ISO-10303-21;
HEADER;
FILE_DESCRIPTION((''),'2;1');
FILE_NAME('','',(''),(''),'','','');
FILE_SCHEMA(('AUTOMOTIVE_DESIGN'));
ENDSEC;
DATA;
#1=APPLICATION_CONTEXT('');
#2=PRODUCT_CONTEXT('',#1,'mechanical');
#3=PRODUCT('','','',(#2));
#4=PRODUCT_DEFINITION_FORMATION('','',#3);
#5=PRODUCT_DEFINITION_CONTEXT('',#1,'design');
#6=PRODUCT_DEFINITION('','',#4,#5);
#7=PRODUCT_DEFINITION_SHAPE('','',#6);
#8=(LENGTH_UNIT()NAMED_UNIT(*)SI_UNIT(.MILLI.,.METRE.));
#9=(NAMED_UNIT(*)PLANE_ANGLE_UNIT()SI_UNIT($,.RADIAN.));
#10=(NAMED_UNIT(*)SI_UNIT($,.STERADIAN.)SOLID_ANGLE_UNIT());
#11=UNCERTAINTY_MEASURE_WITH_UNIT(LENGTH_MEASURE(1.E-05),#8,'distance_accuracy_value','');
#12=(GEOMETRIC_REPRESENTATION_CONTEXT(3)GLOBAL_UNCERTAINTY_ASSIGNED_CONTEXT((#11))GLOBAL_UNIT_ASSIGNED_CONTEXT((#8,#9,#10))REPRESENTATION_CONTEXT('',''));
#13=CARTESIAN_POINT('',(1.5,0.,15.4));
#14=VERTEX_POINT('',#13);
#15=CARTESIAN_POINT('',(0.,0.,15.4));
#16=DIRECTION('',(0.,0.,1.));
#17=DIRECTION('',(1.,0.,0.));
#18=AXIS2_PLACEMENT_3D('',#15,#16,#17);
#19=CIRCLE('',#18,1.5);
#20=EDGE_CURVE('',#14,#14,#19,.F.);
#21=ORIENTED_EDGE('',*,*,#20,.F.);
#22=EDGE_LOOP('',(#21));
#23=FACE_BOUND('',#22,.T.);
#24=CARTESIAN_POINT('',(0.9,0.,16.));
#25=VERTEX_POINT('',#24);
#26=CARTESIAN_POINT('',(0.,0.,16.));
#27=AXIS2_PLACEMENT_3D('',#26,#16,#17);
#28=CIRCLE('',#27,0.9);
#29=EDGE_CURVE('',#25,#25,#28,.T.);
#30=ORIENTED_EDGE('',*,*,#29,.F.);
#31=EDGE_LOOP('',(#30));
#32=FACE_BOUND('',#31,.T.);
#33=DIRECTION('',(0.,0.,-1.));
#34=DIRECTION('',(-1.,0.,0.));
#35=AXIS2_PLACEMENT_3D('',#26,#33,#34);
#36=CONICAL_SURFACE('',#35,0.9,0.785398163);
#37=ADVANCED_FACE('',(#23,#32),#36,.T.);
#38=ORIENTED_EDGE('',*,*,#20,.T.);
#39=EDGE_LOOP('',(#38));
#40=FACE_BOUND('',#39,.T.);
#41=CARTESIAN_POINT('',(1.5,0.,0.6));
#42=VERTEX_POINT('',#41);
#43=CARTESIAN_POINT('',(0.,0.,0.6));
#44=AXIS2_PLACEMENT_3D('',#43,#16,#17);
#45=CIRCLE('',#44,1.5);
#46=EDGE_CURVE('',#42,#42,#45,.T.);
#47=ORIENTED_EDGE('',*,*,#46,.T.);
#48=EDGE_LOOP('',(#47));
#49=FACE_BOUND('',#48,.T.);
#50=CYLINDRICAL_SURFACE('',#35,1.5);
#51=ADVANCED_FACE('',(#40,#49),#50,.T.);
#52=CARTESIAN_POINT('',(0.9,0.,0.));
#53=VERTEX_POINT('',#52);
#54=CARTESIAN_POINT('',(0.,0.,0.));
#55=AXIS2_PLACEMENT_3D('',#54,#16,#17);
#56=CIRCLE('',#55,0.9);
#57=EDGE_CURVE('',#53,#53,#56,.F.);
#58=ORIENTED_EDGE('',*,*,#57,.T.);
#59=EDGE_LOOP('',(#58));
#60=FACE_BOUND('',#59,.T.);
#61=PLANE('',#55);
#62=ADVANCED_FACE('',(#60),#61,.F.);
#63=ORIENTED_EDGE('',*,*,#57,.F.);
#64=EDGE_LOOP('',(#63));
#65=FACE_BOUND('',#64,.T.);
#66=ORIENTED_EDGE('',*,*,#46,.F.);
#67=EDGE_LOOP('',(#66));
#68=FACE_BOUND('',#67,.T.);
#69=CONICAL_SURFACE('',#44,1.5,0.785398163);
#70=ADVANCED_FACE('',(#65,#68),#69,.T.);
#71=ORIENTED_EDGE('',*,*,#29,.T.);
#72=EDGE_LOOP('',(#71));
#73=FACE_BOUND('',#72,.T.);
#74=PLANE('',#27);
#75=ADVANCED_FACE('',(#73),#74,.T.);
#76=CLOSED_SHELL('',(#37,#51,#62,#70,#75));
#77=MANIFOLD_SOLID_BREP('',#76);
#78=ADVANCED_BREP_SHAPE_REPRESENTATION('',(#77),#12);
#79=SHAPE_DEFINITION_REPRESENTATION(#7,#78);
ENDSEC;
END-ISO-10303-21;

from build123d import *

# Parameters (mm, degrees)
SKETCH1_R           = 1.5
BOSS_EXTRUDE1_DEPTH = 16
CHAMFER1_SIZE       = 0.6


with BuildPart() as part:
    # Sketch1 → Boss-Extrude1 (new body)
    with BuildSketch(Plane.XY):
        Circle(SKETCH1_R)
    extrude(amount=BOSS_EXTRUDE1_DEPTH)

    # Chamfer1
    chamfer1_edges = [part.edges().sort_by_distance(p)[0] for p in [
        (-1.5, 0, 0),
        (-1.5, 0, 16),
    ]]
    chamfer(chamfer1_edges, length=CHAMFER1_SIZE)


solid = part.part
